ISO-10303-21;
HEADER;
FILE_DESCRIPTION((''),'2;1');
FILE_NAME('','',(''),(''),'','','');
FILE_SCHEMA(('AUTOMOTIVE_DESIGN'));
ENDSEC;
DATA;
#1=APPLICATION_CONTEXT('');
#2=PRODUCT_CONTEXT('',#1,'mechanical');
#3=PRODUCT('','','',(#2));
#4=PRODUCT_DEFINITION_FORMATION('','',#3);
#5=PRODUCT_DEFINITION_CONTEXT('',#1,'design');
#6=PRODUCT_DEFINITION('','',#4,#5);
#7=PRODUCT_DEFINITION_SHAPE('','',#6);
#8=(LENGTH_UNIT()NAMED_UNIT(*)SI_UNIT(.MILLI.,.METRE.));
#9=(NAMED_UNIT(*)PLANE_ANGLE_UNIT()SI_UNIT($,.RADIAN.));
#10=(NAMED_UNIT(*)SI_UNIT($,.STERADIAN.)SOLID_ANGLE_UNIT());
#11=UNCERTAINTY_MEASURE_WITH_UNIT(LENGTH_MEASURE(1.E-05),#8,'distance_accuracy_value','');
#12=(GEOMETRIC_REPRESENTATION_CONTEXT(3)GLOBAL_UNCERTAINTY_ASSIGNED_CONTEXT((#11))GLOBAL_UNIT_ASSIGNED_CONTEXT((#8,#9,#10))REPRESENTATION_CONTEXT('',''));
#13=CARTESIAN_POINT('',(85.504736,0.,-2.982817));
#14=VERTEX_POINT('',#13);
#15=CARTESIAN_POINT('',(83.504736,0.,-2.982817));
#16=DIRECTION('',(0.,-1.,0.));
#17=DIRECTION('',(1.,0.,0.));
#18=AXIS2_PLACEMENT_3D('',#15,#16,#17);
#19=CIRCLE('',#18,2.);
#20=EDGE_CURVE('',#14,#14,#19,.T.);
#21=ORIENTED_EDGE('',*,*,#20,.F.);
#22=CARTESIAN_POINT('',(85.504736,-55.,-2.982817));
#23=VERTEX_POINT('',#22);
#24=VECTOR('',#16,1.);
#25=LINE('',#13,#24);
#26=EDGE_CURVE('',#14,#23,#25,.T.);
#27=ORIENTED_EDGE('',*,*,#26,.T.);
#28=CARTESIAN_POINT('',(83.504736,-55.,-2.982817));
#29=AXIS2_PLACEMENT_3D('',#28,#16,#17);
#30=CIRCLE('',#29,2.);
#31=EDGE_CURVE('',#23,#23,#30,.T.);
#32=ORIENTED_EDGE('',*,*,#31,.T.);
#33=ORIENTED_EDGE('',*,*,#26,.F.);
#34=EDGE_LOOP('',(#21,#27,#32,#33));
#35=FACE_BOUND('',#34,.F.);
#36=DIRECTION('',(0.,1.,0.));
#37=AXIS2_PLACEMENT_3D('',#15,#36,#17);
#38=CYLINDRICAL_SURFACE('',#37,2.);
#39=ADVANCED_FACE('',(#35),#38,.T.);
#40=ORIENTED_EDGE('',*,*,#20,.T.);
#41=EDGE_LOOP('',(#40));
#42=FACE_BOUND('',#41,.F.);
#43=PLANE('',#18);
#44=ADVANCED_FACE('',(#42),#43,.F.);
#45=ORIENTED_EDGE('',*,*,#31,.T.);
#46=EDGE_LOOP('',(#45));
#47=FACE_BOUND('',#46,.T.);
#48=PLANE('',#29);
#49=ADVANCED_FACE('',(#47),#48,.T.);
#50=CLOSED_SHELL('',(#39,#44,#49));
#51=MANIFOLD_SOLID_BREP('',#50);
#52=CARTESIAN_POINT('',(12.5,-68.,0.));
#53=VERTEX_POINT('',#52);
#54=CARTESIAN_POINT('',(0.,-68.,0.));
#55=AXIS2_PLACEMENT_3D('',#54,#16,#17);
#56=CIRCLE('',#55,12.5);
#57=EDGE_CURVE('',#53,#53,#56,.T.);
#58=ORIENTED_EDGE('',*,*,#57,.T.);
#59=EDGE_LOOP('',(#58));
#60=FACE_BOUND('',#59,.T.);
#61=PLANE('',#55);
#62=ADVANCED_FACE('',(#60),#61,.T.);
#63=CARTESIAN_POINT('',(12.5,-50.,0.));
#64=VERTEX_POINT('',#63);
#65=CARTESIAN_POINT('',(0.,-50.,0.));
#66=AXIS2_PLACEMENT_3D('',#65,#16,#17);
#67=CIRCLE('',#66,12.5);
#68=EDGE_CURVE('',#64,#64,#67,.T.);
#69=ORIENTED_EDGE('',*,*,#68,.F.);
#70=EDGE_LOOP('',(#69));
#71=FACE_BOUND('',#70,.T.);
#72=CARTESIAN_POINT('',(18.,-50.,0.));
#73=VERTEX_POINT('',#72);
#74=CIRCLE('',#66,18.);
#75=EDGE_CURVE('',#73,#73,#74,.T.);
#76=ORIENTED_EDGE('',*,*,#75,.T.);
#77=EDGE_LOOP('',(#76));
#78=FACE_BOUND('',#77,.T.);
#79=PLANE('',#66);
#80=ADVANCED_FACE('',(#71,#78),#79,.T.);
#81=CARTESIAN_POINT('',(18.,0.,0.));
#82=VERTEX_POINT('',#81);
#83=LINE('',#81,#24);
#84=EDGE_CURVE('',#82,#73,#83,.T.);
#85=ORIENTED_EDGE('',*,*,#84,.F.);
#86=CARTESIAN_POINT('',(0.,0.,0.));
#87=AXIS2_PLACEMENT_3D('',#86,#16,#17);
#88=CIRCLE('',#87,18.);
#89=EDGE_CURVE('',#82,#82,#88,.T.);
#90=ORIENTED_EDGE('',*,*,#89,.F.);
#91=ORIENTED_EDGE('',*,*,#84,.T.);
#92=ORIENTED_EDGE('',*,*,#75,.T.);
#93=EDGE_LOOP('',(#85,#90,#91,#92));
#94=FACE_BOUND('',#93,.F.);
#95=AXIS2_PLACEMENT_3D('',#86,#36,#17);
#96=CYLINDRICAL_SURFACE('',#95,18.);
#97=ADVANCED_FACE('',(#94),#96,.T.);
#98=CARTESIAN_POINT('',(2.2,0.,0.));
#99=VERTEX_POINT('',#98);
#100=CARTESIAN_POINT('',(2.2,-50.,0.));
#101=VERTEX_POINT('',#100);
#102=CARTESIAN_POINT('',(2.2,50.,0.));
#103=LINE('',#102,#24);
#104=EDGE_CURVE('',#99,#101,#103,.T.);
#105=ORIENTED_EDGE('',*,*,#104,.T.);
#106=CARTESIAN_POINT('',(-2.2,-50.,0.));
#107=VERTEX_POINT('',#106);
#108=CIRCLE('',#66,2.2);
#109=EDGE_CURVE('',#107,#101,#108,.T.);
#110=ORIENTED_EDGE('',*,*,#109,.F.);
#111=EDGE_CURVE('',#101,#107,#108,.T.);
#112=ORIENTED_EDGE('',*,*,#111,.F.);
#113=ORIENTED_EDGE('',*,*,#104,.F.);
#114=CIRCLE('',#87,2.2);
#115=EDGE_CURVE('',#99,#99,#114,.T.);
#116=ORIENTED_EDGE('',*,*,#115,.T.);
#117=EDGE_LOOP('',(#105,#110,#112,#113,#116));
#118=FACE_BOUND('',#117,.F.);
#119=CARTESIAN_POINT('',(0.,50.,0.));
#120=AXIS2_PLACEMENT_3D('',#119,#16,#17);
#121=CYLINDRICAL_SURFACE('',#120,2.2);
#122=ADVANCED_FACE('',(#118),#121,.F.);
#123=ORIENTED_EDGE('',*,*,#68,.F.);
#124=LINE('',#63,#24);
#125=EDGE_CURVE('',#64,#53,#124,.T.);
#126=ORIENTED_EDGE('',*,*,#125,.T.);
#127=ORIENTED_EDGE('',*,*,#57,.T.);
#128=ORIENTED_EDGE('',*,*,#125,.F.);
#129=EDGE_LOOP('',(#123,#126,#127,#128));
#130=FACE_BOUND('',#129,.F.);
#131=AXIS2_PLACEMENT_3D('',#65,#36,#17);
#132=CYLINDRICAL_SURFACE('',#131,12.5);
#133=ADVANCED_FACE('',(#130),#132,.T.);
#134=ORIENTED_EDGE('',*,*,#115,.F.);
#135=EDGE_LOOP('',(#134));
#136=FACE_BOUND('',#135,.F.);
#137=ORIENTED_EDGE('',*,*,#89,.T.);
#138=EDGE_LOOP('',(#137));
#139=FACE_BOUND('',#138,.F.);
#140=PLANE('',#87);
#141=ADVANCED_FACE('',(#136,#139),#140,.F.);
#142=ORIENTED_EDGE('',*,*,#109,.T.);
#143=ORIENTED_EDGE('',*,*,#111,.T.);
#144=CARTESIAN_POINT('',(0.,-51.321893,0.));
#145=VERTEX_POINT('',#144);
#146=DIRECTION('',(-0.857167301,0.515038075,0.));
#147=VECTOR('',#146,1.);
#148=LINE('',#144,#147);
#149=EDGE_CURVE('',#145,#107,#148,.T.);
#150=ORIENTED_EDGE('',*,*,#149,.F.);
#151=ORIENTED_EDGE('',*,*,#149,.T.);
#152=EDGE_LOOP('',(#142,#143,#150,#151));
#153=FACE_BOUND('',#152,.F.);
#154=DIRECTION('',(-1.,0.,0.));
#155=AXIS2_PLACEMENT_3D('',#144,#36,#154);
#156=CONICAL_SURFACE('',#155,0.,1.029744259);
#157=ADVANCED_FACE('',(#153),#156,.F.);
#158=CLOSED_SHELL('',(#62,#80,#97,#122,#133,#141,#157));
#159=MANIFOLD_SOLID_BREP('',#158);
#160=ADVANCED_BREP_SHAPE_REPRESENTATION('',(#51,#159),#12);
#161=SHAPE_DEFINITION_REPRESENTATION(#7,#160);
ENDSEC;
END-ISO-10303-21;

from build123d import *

# Parameters (mm, degrees)
F0_R     = 18
F1_DEPTH = 50
F2_R     = 12.5
F3_DEPTH = 18
F5_D     = 4.4
F5_DEPTH = 50
F5_TIP   = 1.3218933619
F6_R     = 2
F7_DEPTH = 55


with BuildPart() as f1:
    # F0 (on Front) → F1 (new body)
    with BuildSketch(Plane.XZ):
        Circle(F0_R)
    extrude(amount=F1_DEPTH)

    # F2 (on face) → F3 (join)
    with BuildSketch(Plane.XZ.offset(50)):
        Circle(F2_R)
    extrude(amount=F3_DEPTH)

    # F5
    with Locations(Plane(origin=(0, 0, 0), x_dir=(-1, 0, 0), z_dir=(0, 1, 0))):
        with Locations((0, 0)):
            Hole(F5_D / 2, depth=F5_DEPTH)
            with Locations((0, 0, -(F5_DEPTH + F5_TIP / 2))):  # 118° drill point
                Cone(0, F5_D / 2, F5_TIP, mode=Mode.SUBTRACT)


with BuildPart() as f7:
    # F6 (on Front) → F7 (new body)
    with BuildSketch(Plane.XZ):
        with Locations((83.5047364235, -2.9828166589)):
            Circle(F6_R)
    extrude(amount=F7_DEPTH)


solid = Compound([f1.part, f7.part])
